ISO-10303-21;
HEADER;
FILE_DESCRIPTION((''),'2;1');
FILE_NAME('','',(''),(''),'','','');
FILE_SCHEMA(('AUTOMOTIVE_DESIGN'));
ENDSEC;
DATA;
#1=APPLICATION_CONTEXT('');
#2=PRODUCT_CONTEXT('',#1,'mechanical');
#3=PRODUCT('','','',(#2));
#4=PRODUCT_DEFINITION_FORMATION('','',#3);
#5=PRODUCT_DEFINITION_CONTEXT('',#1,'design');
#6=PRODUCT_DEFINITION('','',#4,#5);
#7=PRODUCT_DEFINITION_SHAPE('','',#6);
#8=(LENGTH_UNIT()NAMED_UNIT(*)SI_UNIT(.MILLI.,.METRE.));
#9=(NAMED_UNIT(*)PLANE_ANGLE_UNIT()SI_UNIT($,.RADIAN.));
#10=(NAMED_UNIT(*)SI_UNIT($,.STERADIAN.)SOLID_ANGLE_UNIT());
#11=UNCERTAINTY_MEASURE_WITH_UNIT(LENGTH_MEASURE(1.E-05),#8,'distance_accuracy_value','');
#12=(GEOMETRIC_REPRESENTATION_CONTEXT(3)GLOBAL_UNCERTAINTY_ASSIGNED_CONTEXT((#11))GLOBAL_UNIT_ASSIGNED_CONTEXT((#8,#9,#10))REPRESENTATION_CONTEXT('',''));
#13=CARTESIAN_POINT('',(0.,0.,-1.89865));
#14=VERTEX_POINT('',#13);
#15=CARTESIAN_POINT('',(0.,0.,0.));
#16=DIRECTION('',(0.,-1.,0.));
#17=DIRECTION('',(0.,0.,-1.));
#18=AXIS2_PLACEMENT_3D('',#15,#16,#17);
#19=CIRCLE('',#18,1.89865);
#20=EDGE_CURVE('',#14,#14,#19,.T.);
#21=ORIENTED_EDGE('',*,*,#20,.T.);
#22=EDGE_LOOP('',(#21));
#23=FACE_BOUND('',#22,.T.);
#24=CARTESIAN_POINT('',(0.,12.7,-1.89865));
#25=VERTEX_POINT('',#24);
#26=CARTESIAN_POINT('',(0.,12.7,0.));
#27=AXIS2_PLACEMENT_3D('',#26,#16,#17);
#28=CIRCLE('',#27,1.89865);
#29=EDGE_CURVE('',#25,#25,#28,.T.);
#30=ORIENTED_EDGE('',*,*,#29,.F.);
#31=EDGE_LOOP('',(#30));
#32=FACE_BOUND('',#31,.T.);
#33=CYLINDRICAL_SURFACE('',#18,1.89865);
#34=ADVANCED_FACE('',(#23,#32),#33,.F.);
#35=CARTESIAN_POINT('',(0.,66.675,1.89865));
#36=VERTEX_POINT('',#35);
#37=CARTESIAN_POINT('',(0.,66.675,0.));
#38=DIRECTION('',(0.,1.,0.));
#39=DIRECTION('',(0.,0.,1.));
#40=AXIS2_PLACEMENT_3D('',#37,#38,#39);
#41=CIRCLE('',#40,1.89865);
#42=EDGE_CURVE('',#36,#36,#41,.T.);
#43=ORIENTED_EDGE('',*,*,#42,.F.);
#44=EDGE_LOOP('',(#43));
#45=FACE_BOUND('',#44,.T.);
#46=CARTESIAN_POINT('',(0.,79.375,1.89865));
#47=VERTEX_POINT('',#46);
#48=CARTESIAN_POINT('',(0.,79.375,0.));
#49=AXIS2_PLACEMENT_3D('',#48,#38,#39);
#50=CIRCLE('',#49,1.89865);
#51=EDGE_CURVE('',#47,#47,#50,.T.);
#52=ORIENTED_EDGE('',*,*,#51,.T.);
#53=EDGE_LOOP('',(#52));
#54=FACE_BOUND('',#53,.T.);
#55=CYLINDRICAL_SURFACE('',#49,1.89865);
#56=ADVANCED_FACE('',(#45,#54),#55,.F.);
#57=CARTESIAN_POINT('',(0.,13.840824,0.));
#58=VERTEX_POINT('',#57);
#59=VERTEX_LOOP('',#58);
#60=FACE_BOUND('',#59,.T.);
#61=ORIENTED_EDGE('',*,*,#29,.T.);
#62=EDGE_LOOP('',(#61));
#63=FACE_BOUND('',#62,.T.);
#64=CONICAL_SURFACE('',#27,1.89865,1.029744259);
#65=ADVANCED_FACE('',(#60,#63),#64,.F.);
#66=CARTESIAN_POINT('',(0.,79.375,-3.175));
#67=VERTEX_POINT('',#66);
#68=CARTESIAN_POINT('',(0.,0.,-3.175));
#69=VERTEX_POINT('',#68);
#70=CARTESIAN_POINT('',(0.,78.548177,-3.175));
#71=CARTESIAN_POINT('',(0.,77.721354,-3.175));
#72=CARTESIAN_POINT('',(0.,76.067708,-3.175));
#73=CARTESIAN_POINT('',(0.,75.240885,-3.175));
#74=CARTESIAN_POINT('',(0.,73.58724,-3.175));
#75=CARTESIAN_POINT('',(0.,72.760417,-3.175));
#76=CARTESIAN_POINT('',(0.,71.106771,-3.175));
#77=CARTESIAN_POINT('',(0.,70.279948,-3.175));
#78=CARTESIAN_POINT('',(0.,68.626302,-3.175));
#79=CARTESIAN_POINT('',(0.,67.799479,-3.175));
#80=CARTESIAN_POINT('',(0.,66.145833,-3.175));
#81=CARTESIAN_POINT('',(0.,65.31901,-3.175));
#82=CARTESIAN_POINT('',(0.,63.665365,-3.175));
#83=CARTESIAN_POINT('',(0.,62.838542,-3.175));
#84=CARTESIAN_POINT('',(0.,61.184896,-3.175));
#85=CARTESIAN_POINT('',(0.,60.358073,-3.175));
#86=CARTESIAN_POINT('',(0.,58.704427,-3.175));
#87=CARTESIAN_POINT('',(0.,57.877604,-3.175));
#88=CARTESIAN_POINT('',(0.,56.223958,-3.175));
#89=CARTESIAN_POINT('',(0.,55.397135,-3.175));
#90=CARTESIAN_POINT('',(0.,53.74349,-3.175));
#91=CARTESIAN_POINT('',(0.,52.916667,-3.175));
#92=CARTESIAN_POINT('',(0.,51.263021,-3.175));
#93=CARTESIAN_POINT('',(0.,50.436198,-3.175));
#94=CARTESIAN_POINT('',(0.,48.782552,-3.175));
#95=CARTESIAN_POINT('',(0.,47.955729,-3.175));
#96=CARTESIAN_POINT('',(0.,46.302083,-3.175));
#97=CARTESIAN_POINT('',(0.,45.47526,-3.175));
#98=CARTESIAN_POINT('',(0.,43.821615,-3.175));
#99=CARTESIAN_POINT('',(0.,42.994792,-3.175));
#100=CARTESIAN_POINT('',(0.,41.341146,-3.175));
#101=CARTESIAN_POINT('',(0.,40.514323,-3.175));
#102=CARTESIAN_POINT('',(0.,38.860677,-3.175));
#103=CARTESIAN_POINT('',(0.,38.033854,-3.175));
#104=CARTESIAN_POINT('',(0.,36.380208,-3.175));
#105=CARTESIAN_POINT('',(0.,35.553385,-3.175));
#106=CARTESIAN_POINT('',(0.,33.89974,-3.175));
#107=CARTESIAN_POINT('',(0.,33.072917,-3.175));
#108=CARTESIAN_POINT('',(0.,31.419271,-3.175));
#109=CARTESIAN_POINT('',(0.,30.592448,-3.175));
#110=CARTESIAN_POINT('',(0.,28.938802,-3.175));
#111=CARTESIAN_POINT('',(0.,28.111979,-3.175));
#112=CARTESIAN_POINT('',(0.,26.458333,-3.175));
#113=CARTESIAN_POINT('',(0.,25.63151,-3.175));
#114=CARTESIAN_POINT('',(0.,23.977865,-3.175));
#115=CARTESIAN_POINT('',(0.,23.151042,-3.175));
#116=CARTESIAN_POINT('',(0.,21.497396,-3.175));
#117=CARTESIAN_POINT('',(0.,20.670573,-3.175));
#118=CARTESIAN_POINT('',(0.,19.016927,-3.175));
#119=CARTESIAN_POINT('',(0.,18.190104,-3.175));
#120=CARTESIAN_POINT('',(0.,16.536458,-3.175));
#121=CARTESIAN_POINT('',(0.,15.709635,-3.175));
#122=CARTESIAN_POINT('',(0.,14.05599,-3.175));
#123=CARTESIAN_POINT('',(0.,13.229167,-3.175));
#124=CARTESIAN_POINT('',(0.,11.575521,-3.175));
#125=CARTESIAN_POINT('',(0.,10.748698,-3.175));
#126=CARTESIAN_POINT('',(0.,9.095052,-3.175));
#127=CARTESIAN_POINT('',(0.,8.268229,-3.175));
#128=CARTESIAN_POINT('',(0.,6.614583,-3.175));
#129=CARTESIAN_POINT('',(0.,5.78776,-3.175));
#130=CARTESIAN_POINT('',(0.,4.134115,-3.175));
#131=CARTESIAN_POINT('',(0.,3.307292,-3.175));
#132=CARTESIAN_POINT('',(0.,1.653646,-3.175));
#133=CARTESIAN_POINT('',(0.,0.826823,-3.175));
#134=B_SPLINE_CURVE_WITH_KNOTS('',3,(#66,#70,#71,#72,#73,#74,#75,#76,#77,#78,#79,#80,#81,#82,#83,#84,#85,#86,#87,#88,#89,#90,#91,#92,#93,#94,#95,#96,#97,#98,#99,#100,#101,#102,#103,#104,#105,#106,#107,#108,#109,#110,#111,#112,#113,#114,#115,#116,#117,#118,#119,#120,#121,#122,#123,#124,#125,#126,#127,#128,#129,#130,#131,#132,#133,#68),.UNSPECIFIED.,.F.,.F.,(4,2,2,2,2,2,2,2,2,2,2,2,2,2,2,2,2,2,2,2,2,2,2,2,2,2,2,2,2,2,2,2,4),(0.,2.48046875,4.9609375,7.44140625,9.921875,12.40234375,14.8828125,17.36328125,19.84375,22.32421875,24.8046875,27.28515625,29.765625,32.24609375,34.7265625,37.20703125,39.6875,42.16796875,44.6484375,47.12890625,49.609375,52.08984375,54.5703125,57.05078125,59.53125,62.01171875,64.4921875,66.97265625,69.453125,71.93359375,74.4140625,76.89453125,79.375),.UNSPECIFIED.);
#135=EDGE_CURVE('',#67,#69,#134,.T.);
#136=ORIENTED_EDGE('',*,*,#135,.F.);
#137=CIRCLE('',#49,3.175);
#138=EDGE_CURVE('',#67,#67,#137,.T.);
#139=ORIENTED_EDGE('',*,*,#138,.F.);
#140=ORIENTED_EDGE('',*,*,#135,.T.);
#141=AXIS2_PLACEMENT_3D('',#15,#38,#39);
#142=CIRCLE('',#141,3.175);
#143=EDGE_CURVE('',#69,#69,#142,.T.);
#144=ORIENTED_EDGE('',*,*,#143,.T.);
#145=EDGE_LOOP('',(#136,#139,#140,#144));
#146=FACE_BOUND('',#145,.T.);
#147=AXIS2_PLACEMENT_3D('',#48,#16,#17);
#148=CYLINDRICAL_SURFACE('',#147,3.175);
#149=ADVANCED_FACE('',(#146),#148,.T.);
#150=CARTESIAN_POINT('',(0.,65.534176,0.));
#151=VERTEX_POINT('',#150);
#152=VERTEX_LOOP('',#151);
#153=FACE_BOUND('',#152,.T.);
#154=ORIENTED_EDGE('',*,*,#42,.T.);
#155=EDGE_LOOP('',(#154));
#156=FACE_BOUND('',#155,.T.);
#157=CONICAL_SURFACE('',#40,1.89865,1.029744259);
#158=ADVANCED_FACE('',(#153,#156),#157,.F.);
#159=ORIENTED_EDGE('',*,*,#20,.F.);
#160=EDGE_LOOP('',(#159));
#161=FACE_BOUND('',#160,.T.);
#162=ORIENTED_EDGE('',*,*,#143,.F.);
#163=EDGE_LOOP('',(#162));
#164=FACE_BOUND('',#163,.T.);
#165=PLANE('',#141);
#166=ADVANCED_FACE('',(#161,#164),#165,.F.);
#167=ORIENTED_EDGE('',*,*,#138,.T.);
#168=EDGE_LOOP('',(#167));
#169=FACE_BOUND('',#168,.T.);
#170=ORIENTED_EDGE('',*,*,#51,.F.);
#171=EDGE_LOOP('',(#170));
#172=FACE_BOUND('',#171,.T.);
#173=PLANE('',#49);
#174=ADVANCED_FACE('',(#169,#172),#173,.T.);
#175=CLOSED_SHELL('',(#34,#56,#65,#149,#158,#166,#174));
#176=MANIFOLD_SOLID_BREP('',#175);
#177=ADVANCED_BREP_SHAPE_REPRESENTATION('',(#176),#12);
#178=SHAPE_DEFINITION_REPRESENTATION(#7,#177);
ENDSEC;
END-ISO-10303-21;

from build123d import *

# Parameters (mm, degrees)
SKETCH1_R              = 3.175
BOSS_EXTRUDE1_DEPTH    = 79.375
ATTACHHMENT_HOLE_D     = 3.7973
ATTACHHMENT_HOLE_DEPTH = 12.7
ATTACHHMENT_HOLE_TIP   = 1.140824014
F_10_24_TAPPED_D       = 3.7973
F_10_24_TAPPED_DEPTH   = 12.7
F_10_24_TAPPED_TIP     = 1.140824014


with BuildPart() as part:
    # Sketch1 → Boss-Extrude1 (new body)
    with BuildSketch(Plane(origin=(0, 0, 0), x_dir=(1, 0, 0), z_dir=(0, 1, 0))):
        with Locations(Location((0, 0, 0), (0, 0, 90))):
            Circle(SKETCH1_R)
    extrude(amount=BOSS_EXTRUDE1_DEPTH)

    # Attachhment Hole
    with Locations(Plane(origin=(0, 79.375, 0), x_dir=(1, 0, 0), z_dir=(0, 1, 0))):
        with Locations((0, 0)):
            Hole(ATTACHHMENT_HOLE_D / 2, depth=ATTACHHMENT_HOLE_DEPTH)
            with Locations((0, 0, -(ATTACHHMENT_HOLE_DEPTH + ATTACHHMENT_HOLE_TIP / 2))):  # 118° drill point
                Cone(0, ATTACHHMENT_HOLE_D / 2, ATTACHHMENT_HOLE_TIP, mode=Mode.SUBTRACT)

    # #10-24 Tapped
    with Locations(Plane(origin=(0, 0, 0), x_dir=(-1, 0, 0), z_dir=(0, -1, 0))):
        with Locations((0, 0)):
            Hole(F_10_24_TAPPED_D / 2, depth=F_10_24_TAPPED_DEPTH)
            with Locations((0, 0, -(F_10_24_TAPPED_DEPTH + F_10_24_TAPPED_TIP / 2))):  # 118° drill point
                Cone(0, F_10_24_TAPPED_D / 2, F_10_24_TAPPED_TIP, mode=Mode.SUBTRACT)


solid = part.part
